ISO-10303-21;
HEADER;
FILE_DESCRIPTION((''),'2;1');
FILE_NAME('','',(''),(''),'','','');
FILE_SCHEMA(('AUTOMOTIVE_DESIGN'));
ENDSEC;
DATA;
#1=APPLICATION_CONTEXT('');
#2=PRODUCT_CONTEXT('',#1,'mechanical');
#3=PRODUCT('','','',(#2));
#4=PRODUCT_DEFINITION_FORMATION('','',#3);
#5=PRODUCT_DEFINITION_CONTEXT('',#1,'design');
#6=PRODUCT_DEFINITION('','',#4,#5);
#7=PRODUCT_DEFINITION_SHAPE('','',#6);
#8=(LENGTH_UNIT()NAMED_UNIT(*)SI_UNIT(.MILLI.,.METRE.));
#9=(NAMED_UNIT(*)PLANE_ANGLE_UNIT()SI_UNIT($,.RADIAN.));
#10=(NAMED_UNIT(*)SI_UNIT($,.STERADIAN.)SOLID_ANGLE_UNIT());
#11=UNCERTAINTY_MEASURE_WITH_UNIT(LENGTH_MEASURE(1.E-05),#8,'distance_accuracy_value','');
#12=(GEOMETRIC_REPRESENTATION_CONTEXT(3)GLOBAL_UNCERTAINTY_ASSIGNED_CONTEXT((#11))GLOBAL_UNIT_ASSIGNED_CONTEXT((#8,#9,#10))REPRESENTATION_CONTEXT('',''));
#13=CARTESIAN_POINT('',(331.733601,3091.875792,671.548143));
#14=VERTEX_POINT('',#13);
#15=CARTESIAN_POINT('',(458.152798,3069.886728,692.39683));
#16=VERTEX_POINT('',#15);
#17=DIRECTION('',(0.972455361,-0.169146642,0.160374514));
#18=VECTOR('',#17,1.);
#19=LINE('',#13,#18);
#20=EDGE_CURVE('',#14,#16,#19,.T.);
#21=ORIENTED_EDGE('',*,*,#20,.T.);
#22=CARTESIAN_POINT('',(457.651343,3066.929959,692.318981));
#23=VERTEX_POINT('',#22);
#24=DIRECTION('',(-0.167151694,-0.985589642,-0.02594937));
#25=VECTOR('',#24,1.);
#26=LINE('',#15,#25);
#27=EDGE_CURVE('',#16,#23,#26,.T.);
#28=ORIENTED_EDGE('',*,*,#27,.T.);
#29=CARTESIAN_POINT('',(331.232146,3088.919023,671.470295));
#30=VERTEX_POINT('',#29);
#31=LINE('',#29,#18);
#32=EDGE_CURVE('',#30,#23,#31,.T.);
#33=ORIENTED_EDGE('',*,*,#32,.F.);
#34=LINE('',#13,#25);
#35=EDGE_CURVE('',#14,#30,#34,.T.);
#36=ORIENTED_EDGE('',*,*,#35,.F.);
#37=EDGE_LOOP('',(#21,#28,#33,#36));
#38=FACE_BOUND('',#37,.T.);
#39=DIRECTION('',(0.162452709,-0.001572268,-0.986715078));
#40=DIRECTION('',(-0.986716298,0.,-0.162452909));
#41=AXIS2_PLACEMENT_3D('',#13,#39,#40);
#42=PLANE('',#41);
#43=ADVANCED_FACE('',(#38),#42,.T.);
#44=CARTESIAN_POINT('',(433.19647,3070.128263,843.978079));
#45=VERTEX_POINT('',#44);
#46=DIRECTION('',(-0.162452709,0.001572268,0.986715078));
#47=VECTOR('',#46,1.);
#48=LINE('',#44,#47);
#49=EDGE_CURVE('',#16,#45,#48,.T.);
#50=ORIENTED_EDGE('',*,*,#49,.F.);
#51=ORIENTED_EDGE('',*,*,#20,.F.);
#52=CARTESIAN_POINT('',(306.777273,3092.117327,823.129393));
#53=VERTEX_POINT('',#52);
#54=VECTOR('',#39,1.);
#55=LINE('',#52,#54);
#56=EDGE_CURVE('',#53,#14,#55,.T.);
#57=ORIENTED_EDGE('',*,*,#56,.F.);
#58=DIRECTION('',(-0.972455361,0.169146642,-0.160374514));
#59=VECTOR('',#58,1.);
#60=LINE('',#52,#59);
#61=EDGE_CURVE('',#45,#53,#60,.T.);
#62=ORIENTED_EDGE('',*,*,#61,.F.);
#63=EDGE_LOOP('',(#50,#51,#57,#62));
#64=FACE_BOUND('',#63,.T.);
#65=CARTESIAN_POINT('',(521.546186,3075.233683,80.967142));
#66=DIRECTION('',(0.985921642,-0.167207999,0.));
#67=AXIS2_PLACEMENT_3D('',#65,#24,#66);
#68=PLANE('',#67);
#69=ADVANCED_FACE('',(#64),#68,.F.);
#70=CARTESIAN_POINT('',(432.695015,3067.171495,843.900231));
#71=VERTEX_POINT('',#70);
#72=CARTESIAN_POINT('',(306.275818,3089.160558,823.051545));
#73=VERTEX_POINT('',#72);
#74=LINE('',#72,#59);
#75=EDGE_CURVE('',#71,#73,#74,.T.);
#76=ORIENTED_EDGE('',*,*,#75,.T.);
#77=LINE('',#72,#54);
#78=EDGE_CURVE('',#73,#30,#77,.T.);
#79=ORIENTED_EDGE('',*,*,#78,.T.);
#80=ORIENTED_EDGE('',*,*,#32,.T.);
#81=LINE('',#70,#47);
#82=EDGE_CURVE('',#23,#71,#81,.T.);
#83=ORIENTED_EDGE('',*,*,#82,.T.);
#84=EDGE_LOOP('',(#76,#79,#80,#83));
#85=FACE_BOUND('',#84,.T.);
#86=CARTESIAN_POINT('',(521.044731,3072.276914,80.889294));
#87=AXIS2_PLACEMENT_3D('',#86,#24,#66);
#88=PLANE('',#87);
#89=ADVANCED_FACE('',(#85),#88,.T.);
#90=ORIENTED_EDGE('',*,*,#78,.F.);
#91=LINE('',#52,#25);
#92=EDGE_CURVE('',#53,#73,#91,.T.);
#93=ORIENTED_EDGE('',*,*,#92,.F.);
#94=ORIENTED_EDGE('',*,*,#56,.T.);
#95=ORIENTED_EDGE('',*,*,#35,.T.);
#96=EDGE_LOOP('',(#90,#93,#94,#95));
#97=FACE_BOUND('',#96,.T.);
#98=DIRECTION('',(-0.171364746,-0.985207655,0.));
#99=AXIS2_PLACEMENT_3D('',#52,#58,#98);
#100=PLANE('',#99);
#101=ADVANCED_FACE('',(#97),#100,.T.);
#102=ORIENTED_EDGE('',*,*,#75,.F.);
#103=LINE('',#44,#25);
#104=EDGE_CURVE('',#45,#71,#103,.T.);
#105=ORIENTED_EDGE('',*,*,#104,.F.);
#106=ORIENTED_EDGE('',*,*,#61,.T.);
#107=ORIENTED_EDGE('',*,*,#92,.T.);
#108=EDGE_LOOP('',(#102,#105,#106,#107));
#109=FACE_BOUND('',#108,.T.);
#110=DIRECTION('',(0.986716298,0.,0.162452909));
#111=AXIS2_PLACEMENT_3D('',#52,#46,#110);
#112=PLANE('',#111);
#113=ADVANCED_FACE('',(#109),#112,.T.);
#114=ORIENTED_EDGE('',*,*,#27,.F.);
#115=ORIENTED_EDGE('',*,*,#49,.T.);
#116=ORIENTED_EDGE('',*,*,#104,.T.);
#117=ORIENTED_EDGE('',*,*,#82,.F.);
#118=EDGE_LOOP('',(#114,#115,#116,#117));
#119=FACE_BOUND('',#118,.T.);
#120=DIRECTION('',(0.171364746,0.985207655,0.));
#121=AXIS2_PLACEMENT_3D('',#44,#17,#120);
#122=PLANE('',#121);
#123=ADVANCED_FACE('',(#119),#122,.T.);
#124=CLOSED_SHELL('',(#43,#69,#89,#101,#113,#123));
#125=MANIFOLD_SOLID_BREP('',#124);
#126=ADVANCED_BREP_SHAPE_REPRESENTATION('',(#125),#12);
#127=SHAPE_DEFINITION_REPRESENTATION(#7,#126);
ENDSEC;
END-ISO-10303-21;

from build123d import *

# Parameters (mm, degrees)
BOSS_EXTRUDE1_DEPTH = 3


with BuildPart() as part:
    # Sketch1 → Boss-Extrude1 (new body)
    with BuildSketch(Plane(origin=(492.531820934, 3075.376385941, 146.83207961), x_dir=(0.940925169, -0.167327537, 0.29438295), z_dir=(-0.167151694, -0.985589642, -0.02594937))):
        Polygon((21.508048483, 701.207152327), (150.275926486, 683.351240294), (129.175443108, 531.185141775), (0.407565104, 549.041053807), align=None)
    extrude(amount=-BOSS_EXTRUDE1_DEPTH)


solid = part.part
